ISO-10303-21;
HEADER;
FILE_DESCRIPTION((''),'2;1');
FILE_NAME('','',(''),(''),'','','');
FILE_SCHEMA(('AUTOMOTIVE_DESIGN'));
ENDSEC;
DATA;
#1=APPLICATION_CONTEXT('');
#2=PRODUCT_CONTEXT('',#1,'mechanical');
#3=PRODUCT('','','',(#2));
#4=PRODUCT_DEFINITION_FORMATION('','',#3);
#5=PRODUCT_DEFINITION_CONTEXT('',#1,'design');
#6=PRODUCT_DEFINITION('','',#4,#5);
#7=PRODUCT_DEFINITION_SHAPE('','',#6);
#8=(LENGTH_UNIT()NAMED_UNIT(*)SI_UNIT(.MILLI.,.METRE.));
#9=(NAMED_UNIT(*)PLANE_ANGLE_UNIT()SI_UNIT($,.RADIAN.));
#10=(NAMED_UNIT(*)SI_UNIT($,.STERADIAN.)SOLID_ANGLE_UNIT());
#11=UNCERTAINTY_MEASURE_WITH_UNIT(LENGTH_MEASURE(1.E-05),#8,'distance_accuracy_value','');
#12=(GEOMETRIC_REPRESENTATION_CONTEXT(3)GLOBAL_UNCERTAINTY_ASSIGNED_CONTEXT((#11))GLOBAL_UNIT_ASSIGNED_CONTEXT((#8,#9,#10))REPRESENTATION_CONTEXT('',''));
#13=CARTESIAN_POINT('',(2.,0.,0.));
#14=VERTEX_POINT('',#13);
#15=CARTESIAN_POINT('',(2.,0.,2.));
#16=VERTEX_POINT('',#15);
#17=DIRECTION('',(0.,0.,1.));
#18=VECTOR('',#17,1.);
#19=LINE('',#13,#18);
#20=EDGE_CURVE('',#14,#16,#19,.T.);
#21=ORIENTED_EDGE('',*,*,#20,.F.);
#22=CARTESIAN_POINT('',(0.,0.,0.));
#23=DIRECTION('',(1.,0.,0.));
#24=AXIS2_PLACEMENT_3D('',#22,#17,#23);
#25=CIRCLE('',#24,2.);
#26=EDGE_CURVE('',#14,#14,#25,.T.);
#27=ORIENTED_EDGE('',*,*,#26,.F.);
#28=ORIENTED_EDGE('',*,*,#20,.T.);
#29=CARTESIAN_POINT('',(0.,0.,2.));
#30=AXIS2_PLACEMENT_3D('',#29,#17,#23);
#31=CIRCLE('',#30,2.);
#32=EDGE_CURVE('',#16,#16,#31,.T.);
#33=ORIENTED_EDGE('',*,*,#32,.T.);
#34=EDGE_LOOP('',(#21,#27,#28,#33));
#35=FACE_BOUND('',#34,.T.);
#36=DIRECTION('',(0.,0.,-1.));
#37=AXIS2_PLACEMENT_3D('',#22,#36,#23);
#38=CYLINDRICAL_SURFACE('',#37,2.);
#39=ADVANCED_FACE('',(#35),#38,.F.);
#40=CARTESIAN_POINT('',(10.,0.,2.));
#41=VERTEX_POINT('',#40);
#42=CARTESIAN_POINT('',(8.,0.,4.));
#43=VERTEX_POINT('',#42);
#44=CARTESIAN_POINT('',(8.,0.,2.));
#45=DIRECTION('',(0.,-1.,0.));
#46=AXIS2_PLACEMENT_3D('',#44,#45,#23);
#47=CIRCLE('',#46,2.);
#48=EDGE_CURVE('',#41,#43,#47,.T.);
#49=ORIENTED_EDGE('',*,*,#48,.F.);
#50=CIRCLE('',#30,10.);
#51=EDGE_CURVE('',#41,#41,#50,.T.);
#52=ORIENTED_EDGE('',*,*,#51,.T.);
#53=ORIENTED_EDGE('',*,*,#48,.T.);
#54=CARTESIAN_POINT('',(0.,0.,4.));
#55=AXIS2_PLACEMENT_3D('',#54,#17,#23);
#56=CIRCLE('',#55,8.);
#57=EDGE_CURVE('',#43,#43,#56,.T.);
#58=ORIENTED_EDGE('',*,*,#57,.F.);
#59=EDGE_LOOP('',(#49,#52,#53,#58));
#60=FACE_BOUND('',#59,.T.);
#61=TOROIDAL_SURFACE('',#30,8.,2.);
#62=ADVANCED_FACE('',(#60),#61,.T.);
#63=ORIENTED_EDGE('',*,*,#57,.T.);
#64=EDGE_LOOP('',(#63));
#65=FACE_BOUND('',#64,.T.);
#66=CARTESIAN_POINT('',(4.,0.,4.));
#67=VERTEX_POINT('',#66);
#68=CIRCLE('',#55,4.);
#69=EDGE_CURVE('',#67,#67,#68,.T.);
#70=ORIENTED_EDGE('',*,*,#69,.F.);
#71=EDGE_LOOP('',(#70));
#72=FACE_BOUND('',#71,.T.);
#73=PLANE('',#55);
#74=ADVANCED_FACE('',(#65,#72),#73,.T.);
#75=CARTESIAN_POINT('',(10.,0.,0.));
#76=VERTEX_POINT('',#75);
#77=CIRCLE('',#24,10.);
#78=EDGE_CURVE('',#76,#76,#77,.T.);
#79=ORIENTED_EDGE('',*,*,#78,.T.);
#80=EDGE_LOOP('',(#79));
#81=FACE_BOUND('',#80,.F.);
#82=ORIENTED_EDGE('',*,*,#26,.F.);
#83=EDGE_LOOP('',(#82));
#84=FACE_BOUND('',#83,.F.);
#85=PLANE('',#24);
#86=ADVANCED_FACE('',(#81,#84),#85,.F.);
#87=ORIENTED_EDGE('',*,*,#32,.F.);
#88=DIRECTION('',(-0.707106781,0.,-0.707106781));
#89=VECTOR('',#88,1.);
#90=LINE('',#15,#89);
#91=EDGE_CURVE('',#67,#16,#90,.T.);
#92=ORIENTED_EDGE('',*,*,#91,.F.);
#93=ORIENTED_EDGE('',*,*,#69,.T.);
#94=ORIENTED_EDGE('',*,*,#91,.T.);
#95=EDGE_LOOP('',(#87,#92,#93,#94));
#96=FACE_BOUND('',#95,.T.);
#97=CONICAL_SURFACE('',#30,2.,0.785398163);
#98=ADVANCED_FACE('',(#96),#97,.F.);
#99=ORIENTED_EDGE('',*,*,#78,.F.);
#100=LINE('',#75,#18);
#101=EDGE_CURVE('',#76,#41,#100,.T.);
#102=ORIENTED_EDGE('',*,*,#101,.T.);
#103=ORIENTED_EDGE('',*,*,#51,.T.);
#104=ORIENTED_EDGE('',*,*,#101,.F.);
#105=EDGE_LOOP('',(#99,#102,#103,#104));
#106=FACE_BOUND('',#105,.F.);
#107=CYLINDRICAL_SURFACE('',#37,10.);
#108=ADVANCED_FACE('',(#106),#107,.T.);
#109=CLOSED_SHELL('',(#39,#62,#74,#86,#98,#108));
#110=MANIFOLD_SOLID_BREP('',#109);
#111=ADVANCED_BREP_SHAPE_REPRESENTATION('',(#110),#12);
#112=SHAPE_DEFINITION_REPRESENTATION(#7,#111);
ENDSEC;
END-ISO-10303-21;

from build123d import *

# Parameters (mm, degrees)
F0_R     = 10
F0_R_2   = 2
F1_DEPTH = 4
F2_R     = 2
F3_SIZE  = 2


with BuildPart() as f1:
    # F0 (on Top) → F1 (new body)
    with BuildSketch(Plane.XY):
        Circle(F0_R)
        Circle(F0_R_2, mode=Mode.SUBTRACT)
    extrude(amount=F1_DEPTH)

    # F2
    f2_edges = [f1.edges().sort_by_distance(p)[0] for p in [
        (-10, 0, 4),
    ]]
    fillet(f2_edges, radius=F2_R)

    # F3
    f3_edges = [f1.edges().sort_by_distance(p)[0] for p in [
        (-2, 0, 4),
    ]]
    chamfer(f3_edges, length=F3_SIZE)


solid = f1.part
